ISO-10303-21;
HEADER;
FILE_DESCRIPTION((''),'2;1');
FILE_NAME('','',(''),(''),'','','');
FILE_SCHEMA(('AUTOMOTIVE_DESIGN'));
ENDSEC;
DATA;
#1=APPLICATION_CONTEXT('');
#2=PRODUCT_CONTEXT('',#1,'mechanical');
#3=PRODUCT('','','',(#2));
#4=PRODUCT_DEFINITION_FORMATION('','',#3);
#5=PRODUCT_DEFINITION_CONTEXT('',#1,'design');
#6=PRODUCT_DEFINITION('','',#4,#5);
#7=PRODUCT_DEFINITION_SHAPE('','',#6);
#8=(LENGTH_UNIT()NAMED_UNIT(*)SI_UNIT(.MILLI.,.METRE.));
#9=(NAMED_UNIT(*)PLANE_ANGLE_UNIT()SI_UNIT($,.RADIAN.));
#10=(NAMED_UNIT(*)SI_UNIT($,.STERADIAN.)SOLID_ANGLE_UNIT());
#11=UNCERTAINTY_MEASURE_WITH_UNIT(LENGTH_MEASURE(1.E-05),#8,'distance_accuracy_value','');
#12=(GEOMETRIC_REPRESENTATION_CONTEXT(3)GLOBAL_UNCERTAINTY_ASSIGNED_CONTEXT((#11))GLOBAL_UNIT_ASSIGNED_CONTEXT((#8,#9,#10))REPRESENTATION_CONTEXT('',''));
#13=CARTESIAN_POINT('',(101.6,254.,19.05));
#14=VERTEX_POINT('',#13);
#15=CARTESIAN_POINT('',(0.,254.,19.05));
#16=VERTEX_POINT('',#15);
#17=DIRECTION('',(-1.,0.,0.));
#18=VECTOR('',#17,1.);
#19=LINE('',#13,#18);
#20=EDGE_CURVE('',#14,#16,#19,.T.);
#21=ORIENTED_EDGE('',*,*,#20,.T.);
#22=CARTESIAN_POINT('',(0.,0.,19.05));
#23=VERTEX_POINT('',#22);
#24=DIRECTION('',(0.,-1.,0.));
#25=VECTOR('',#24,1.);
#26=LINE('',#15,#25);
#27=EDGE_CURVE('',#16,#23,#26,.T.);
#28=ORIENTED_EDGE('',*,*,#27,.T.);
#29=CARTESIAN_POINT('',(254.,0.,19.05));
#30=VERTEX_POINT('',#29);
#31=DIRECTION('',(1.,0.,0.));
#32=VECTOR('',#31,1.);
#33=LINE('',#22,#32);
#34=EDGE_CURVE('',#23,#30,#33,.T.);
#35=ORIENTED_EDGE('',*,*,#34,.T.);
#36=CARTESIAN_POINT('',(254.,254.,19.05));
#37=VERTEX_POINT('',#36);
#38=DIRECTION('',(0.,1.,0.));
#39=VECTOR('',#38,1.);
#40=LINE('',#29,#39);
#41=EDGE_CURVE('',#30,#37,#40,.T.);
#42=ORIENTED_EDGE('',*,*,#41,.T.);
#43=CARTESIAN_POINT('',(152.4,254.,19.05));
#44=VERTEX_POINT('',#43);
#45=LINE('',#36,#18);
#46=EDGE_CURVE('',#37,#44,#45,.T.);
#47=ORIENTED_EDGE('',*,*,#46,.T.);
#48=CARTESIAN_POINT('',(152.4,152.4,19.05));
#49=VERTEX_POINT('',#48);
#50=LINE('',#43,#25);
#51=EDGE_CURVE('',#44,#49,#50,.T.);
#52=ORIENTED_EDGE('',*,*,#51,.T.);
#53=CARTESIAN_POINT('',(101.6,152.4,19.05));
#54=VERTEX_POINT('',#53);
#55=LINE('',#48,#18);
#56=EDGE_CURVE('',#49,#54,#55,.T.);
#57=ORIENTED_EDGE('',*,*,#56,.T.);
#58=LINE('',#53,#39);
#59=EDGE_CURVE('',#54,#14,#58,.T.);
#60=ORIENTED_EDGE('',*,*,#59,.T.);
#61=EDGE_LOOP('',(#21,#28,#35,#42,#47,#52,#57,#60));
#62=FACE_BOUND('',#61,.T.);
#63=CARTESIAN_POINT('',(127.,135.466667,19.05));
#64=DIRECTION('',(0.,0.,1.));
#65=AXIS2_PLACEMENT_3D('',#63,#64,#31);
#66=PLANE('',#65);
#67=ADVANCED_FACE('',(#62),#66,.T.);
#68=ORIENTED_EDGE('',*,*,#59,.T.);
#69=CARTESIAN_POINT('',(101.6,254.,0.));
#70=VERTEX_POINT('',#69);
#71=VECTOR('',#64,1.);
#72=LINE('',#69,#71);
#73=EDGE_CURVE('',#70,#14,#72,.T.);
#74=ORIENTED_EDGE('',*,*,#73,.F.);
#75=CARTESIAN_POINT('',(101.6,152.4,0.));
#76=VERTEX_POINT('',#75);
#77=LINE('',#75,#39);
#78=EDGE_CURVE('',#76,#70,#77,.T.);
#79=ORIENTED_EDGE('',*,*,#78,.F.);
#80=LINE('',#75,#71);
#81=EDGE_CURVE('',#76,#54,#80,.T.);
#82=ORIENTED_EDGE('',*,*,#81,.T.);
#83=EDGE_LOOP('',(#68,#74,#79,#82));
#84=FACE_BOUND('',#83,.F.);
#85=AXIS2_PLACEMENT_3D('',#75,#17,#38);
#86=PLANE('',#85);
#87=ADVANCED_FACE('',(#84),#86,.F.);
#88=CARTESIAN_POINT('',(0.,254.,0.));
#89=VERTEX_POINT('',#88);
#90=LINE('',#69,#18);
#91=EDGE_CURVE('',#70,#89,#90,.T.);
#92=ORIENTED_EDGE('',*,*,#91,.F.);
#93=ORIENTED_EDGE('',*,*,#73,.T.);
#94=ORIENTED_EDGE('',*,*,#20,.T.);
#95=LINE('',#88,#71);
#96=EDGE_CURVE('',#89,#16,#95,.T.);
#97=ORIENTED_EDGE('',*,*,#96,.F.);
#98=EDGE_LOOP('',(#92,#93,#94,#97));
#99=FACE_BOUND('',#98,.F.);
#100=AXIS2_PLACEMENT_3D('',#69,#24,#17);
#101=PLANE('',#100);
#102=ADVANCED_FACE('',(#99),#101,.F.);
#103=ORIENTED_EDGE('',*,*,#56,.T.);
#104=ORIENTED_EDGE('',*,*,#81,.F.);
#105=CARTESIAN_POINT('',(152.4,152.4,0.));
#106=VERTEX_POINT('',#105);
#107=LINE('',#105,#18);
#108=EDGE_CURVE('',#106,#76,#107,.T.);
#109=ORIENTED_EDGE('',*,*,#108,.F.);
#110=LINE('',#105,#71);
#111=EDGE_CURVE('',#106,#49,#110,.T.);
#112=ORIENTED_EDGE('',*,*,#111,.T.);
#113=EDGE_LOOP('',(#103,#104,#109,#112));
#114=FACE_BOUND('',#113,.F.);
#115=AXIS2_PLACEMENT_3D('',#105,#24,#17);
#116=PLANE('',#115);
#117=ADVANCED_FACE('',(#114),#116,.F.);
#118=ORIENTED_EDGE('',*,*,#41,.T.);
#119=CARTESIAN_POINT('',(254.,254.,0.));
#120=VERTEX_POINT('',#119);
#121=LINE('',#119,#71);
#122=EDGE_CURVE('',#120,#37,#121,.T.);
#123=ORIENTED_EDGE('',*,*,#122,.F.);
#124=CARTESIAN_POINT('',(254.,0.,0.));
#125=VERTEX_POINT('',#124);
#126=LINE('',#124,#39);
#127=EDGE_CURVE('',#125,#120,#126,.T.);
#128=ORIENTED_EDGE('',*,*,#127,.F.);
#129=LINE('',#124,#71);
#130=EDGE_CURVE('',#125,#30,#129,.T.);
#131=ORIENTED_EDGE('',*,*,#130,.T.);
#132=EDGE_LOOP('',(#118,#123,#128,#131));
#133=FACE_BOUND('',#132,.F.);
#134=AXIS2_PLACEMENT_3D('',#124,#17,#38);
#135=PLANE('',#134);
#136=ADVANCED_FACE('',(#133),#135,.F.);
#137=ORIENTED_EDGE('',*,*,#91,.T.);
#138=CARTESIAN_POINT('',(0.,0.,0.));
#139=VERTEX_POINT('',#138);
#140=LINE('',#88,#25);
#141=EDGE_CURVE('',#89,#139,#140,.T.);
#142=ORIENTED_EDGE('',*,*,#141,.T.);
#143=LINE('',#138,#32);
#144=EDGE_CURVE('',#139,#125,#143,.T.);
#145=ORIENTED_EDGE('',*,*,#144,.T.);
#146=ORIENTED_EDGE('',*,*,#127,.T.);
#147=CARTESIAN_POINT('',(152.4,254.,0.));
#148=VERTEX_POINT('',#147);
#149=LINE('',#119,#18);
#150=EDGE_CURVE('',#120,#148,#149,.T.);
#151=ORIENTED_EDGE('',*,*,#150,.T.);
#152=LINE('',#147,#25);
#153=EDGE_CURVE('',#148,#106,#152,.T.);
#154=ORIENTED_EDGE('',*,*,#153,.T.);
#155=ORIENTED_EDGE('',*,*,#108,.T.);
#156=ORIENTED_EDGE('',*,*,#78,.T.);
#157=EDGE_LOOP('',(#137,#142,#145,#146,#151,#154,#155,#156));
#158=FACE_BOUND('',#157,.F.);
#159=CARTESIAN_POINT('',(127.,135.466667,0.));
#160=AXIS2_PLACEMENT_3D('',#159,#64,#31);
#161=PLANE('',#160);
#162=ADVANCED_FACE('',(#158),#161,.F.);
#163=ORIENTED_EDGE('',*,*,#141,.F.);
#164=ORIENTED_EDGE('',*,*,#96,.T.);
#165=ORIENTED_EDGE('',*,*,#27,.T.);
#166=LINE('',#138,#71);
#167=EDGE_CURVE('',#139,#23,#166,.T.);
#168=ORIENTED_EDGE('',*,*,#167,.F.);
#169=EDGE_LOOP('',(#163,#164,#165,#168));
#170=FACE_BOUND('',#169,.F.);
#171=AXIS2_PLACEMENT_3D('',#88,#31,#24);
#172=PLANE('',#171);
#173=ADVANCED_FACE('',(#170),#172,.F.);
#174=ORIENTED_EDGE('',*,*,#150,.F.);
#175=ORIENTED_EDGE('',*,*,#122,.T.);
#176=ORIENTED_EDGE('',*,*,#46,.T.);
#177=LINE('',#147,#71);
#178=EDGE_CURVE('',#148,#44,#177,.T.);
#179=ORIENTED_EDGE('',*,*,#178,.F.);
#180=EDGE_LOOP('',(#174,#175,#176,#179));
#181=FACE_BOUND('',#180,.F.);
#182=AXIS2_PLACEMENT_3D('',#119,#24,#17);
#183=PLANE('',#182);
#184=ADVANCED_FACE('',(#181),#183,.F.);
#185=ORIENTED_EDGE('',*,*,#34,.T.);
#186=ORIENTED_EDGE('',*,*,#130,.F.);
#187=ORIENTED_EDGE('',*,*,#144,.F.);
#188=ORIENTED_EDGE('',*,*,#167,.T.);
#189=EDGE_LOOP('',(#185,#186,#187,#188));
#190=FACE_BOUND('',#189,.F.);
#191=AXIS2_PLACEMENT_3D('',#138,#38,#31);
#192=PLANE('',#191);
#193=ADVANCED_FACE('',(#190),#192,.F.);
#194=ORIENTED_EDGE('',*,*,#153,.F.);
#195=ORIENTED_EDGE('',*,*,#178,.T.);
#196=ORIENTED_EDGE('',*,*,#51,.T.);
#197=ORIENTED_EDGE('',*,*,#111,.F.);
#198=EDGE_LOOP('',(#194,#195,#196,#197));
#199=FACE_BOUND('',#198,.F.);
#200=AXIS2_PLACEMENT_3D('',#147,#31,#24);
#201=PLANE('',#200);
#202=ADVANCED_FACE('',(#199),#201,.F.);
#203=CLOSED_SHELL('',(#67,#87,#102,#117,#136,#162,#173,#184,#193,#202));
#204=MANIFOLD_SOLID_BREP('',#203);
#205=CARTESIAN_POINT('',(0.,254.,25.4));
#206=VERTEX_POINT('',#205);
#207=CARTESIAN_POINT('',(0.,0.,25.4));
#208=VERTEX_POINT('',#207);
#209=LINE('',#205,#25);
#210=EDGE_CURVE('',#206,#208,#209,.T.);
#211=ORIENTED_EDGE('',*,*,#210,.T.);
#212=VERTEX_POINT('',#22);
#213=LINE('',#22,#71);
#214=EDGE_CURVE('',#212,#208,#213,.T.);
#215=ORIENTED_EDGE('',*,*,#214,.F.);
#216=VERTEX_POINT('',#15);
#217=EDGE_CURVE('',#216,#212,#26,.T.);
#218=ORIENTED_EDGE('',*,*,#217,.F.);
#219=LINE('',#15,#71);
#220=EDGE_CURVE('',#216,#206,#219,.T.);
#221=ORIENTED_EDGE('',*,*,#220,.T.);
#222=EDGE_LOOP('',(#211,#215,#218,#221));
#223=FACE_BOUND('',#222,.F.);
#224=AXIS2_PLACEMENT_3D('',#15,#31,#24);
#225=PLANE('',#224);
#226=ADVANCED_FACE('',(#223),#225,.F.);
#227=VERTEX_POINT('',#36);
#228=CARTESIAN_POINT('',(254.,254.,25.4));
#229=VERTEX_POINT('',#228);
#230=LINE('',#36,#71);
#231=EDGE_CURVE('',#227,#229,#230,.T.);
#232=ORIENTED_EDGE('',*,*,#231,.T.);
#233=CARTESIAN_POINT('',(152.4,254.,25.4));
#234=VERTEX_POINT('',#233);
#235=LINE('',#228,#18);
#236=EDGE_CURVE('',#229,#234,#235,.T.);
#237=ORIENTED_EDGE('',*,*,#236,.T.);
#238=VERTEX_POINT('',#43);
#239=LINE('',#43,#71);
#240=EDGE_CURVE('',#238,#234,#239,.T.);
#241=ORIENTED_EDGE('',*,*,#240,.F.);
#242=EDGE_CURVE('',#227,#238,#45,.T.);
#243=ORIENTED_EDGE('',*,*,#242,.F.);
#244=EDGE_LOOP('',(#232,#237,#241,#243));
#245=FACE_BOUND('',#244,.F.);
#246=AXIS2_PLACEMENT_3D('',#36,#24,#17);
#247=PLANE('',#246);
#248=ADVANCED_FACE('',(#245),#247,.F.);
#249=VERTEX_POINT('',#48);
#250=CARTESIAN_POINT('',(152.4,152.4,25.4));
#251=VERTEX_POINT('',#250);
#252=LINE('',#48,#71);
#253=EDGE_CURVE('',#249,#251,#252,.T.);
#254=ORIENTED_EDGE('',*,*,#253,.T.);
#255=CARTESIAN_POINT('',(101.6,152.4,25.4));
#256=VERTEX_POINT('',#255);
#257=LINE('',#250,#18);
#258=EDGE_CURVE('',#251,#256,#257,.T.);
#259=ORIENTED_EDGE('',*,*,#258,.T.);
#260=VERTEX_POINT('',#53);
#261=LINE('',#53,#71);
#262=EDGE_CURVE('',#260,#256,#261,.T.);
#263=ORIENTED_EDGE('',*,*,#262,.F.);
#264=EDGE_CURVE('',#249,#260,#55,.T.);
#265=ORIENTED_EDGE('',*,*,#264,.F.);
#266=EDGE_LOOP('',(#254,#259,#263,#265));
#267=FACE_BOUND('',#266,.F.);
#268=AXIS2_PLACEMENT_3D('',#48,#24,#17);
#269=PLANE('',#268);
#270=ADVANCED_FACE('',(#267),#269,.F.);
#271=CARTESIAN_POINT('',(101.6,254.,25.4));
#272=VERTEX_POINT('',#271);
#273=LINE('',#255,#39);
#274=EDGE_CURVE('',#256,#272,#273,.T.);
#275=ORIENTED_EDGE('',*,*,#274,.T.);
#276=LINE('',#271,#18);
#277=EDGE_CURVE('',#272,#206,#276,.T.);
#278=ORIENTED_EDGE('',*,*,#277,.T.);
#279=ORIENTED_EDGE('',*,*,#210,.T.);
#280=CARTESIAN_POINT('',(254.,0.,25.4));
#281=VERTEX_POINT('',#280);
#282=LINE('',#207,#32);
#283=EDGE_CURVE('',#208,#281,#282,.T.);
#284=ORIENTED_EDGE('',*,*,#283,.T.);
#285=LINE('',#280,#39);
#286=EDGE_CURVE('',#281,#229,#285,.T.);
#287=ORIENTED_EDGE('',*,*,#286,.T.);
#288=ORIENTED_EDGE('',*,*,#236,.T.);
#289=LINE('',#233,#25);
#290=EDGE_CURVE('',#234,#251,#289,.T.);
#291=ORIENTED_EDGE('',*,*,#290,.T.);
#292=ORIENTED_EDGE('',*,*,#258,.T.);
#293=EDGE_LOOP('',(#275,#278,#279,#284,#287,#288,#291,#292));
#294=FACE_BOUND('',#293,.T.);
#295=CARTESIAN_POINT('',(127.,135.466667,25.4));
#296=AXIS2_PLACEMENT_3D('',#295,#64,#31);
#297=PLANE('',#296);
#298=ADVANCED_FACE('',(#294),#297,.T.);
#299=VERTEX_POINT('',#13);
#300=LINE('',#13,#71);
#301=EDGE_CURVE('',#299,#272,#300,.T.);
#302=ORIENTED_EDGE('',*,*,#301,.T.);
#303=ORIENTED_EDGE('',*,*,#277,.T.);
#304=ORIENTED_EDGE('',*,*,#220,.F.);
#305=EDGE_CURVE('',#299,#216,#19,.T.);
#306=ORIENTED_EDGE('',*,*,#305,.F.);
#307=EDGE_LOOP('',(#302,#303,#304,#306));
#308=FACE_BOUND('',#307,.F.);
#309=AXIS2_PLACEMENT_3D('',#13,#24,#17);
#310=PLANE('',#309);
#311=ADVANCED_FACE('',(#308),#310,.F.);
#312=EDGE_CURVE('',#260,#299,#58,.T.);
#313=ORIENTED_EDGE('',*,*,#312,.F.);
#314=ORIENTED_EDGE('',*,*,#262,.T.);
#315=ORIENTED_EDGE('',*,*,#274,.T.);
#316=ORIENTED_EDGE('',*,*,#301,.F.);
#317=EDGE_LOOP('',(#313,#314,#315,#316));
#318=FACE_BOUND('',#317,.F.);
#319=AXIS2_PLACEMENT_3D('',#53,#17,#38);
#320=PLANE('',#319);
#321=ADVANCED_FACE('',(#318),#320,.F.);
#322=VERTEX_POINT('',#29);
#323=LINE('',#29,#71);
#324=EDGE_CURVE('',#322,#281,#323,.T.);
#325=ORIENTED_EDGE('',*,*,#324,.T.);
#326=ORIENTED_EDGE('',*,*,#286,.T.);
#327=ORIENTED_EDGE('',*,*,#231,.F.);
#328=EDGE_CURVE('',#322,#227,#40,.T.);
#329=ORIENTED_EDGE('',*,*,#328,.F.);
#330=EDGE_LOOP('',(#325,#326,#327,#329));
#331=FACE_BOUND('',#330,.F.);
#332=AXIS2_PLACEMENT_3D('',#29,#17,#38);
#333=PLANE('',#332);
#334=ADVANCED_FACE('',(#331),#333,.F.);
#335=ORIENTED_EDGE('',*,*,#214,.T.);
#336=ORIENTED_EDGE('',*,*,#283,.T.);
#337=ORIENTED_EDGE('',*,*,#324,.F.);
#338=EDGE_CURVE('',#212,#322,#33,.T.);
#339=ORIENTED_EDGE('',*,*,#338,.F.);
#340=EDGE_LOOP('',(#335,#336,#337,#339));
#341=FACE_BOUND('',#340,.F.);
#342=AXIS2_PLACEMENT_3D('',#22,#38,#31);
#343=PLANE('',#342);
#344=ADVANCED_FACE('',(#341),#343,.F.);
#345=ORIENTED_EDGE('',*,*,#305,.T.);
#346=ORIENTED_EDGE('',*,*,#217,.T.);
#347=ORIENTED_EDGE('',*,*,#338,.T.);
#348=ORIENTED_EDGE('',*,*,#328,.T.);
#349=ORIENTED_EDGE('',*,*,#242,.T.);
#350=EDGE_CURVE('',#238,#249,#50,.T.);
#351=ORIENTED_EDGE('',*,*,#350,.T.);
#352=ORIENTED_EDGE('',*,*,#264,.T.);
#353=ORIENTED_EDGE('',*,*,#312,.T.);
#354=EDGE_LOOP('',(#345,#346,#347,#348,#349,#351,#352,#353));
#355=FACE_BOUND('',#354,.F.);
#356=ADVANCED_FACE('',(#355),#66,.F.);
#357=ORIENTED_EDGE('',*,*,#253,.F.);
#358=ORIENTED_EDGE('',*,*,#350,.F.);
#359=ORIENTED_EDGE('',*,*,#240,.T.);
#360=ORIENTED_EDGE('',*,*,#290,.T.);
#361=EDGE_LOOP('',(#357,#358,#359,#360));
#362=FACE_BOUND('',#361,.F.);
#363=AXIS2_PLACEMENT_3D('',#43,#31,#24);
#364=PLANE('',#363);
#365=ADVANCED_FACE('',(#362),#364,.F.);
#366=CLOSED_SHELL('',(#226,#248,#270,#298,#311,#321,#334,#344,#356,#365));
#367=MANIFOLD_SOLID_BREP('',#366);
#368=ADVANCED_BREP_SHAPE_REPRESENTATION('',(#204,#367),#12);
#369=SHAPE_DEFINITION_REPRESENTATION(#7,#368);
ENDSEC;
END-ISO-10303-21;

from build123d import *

# Parameters (mm, degrees)
F1_DEPTH = 19.05
F2_DEPTH = 6.35


with BuildPart() as f1:
    # F0 (on Top) → F1 (new body)
    with BuildSketch(Plane.XY):
        Polygon((0, 254), (0, 0), (254, 0), (254, 254), (152.4, 254), (152.4, 152.4), (101.6, 152.4), (101.6, 254), align=None)
    extrude(amount=F1_DEPTH)


with BuildPart() as f2:
    # F1_face (on face) → F2 (new body)
    with BuildSketch(Plane(origin=(127, 120.373913, 19.05), x_dir=(1, 0, 0), z_dir=(0, 0, 1))):
        Polygon((-127, 133.626087), (-127, -120.373913), (127, -120.373913), (127, 133.626087), (25.4, 133.626087), (25.4, 32.026087), (-25.4, 32.026087), (-25.4, 133.626087), align=None)
    extrude(amount=F2_DEPTH)


solid = Compound([f1.part, f2.part])
